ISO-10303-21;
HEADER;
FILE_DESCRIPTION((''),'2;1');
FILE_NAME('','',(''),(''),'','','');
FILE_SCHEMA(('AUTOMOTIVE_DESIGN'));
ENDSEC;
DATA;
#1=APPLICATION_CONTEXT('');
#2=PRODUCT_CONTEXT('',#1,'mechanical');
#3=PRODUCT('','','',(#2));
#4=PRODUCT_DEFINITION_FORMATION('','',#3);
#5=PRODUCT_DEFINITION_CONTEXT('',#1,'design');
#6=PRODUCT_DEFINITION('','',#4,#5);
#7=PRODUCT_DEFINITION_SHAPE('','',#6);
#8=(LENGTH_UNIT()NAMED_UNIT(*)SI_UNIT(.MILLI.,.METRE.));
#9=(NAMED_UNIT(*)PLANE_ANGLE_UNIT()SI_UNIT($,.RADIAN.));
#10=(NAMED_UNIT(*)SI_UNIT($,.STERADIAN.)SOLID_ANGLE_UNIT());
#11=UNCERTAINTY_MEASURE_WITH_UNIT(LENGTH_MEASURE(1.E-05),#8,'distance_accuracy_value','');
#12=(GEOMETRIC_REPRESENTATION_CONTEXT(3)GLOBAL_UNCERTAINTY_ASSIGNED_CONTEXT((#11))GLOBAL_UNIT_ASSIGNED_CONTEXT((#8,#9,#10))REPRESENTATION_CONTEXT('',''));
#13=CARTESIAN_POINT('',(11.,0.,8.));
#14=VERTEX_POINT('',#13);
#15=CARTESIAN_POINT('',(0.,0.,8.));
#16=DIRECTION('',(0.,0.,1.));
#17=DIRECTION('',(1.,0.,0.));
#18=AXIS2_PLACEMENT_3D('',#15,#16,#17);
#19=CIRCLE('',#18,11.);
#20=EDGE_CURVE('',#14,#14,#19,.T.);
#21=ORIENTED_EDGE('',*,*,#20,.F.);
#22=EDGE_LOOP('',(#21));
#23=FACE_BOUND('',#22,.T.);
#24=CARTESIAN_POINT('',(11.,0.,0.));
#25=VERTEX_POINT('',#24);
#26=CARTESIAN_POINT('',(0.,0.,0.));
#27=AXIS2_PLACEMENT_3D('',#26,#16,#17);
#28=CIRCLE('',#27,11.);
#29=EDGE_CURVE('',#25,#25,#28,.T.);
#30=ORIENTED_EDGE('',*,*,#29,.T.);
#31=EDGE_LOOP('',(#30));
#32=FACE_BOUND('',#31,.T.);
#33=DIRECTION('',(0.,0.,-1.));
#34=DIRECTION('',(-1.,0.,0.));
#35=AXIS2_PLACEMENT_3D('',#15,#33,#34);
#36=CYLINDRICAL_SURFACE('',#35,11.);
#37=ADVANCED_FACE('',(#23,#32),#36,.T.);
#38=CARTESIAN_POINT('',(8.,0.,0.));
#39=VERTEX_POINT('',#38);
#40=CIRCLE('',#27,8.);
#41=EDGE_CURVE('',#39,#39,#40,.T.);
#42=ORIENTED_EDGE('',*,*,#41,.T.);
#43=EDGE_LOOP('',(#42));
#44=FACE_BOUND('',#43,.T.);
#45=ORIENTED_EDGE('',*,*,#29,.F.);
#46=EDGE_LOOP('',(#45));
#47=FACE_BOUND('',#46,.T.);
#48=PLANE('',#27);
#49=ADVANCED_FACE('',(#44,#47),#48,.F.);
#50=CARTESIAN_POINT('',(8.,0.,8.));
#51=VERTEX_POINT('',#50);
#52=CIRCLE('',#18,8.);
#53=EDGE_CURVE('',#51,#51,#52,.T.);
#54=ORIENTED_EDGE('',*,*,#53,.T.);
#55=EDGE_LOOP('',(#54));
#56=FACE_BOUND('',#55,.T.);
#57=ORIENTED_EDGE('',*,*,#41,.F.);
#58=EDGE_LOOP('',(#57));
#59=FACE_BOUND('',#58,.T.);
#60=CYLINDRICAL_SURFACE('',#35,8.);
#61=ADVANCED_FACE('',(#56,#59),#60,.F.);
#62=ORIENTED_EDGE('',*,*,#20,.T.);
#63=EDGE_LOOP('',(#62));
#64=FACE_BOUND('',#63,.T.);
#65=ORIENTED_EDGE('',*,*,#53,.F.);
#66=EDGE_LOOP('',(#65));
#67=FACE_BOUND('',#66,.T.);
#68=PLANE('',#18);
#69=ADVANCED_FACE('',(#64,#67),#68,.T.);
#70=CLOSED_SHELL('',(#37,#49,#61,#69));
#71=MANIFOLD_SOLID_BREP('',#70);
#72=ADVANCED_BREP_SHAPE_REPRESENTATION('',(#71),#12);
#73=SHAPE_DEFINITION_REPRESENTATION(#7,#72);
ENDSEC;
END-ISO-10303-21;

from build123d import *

# Parameters (mm, degrees)
CROQUIS1_R              = 11
CROQUIS1_R_2            = 8
SALIENTE_EXTRUIR1_DEPTH = 8


with BuildPart() as part:
    # Croquis1 → Saliente-Extruir1 (new body)
    with BuildSketch(Plane.XY):
        Circle(CROQUIS1_R)
        Circle(CROQUIS1_R_2, mode=Mode.SUBTRACT)
    extrude(amount=SALIENTE_EXTRUIR1_DEPTH)


solid = part.part
